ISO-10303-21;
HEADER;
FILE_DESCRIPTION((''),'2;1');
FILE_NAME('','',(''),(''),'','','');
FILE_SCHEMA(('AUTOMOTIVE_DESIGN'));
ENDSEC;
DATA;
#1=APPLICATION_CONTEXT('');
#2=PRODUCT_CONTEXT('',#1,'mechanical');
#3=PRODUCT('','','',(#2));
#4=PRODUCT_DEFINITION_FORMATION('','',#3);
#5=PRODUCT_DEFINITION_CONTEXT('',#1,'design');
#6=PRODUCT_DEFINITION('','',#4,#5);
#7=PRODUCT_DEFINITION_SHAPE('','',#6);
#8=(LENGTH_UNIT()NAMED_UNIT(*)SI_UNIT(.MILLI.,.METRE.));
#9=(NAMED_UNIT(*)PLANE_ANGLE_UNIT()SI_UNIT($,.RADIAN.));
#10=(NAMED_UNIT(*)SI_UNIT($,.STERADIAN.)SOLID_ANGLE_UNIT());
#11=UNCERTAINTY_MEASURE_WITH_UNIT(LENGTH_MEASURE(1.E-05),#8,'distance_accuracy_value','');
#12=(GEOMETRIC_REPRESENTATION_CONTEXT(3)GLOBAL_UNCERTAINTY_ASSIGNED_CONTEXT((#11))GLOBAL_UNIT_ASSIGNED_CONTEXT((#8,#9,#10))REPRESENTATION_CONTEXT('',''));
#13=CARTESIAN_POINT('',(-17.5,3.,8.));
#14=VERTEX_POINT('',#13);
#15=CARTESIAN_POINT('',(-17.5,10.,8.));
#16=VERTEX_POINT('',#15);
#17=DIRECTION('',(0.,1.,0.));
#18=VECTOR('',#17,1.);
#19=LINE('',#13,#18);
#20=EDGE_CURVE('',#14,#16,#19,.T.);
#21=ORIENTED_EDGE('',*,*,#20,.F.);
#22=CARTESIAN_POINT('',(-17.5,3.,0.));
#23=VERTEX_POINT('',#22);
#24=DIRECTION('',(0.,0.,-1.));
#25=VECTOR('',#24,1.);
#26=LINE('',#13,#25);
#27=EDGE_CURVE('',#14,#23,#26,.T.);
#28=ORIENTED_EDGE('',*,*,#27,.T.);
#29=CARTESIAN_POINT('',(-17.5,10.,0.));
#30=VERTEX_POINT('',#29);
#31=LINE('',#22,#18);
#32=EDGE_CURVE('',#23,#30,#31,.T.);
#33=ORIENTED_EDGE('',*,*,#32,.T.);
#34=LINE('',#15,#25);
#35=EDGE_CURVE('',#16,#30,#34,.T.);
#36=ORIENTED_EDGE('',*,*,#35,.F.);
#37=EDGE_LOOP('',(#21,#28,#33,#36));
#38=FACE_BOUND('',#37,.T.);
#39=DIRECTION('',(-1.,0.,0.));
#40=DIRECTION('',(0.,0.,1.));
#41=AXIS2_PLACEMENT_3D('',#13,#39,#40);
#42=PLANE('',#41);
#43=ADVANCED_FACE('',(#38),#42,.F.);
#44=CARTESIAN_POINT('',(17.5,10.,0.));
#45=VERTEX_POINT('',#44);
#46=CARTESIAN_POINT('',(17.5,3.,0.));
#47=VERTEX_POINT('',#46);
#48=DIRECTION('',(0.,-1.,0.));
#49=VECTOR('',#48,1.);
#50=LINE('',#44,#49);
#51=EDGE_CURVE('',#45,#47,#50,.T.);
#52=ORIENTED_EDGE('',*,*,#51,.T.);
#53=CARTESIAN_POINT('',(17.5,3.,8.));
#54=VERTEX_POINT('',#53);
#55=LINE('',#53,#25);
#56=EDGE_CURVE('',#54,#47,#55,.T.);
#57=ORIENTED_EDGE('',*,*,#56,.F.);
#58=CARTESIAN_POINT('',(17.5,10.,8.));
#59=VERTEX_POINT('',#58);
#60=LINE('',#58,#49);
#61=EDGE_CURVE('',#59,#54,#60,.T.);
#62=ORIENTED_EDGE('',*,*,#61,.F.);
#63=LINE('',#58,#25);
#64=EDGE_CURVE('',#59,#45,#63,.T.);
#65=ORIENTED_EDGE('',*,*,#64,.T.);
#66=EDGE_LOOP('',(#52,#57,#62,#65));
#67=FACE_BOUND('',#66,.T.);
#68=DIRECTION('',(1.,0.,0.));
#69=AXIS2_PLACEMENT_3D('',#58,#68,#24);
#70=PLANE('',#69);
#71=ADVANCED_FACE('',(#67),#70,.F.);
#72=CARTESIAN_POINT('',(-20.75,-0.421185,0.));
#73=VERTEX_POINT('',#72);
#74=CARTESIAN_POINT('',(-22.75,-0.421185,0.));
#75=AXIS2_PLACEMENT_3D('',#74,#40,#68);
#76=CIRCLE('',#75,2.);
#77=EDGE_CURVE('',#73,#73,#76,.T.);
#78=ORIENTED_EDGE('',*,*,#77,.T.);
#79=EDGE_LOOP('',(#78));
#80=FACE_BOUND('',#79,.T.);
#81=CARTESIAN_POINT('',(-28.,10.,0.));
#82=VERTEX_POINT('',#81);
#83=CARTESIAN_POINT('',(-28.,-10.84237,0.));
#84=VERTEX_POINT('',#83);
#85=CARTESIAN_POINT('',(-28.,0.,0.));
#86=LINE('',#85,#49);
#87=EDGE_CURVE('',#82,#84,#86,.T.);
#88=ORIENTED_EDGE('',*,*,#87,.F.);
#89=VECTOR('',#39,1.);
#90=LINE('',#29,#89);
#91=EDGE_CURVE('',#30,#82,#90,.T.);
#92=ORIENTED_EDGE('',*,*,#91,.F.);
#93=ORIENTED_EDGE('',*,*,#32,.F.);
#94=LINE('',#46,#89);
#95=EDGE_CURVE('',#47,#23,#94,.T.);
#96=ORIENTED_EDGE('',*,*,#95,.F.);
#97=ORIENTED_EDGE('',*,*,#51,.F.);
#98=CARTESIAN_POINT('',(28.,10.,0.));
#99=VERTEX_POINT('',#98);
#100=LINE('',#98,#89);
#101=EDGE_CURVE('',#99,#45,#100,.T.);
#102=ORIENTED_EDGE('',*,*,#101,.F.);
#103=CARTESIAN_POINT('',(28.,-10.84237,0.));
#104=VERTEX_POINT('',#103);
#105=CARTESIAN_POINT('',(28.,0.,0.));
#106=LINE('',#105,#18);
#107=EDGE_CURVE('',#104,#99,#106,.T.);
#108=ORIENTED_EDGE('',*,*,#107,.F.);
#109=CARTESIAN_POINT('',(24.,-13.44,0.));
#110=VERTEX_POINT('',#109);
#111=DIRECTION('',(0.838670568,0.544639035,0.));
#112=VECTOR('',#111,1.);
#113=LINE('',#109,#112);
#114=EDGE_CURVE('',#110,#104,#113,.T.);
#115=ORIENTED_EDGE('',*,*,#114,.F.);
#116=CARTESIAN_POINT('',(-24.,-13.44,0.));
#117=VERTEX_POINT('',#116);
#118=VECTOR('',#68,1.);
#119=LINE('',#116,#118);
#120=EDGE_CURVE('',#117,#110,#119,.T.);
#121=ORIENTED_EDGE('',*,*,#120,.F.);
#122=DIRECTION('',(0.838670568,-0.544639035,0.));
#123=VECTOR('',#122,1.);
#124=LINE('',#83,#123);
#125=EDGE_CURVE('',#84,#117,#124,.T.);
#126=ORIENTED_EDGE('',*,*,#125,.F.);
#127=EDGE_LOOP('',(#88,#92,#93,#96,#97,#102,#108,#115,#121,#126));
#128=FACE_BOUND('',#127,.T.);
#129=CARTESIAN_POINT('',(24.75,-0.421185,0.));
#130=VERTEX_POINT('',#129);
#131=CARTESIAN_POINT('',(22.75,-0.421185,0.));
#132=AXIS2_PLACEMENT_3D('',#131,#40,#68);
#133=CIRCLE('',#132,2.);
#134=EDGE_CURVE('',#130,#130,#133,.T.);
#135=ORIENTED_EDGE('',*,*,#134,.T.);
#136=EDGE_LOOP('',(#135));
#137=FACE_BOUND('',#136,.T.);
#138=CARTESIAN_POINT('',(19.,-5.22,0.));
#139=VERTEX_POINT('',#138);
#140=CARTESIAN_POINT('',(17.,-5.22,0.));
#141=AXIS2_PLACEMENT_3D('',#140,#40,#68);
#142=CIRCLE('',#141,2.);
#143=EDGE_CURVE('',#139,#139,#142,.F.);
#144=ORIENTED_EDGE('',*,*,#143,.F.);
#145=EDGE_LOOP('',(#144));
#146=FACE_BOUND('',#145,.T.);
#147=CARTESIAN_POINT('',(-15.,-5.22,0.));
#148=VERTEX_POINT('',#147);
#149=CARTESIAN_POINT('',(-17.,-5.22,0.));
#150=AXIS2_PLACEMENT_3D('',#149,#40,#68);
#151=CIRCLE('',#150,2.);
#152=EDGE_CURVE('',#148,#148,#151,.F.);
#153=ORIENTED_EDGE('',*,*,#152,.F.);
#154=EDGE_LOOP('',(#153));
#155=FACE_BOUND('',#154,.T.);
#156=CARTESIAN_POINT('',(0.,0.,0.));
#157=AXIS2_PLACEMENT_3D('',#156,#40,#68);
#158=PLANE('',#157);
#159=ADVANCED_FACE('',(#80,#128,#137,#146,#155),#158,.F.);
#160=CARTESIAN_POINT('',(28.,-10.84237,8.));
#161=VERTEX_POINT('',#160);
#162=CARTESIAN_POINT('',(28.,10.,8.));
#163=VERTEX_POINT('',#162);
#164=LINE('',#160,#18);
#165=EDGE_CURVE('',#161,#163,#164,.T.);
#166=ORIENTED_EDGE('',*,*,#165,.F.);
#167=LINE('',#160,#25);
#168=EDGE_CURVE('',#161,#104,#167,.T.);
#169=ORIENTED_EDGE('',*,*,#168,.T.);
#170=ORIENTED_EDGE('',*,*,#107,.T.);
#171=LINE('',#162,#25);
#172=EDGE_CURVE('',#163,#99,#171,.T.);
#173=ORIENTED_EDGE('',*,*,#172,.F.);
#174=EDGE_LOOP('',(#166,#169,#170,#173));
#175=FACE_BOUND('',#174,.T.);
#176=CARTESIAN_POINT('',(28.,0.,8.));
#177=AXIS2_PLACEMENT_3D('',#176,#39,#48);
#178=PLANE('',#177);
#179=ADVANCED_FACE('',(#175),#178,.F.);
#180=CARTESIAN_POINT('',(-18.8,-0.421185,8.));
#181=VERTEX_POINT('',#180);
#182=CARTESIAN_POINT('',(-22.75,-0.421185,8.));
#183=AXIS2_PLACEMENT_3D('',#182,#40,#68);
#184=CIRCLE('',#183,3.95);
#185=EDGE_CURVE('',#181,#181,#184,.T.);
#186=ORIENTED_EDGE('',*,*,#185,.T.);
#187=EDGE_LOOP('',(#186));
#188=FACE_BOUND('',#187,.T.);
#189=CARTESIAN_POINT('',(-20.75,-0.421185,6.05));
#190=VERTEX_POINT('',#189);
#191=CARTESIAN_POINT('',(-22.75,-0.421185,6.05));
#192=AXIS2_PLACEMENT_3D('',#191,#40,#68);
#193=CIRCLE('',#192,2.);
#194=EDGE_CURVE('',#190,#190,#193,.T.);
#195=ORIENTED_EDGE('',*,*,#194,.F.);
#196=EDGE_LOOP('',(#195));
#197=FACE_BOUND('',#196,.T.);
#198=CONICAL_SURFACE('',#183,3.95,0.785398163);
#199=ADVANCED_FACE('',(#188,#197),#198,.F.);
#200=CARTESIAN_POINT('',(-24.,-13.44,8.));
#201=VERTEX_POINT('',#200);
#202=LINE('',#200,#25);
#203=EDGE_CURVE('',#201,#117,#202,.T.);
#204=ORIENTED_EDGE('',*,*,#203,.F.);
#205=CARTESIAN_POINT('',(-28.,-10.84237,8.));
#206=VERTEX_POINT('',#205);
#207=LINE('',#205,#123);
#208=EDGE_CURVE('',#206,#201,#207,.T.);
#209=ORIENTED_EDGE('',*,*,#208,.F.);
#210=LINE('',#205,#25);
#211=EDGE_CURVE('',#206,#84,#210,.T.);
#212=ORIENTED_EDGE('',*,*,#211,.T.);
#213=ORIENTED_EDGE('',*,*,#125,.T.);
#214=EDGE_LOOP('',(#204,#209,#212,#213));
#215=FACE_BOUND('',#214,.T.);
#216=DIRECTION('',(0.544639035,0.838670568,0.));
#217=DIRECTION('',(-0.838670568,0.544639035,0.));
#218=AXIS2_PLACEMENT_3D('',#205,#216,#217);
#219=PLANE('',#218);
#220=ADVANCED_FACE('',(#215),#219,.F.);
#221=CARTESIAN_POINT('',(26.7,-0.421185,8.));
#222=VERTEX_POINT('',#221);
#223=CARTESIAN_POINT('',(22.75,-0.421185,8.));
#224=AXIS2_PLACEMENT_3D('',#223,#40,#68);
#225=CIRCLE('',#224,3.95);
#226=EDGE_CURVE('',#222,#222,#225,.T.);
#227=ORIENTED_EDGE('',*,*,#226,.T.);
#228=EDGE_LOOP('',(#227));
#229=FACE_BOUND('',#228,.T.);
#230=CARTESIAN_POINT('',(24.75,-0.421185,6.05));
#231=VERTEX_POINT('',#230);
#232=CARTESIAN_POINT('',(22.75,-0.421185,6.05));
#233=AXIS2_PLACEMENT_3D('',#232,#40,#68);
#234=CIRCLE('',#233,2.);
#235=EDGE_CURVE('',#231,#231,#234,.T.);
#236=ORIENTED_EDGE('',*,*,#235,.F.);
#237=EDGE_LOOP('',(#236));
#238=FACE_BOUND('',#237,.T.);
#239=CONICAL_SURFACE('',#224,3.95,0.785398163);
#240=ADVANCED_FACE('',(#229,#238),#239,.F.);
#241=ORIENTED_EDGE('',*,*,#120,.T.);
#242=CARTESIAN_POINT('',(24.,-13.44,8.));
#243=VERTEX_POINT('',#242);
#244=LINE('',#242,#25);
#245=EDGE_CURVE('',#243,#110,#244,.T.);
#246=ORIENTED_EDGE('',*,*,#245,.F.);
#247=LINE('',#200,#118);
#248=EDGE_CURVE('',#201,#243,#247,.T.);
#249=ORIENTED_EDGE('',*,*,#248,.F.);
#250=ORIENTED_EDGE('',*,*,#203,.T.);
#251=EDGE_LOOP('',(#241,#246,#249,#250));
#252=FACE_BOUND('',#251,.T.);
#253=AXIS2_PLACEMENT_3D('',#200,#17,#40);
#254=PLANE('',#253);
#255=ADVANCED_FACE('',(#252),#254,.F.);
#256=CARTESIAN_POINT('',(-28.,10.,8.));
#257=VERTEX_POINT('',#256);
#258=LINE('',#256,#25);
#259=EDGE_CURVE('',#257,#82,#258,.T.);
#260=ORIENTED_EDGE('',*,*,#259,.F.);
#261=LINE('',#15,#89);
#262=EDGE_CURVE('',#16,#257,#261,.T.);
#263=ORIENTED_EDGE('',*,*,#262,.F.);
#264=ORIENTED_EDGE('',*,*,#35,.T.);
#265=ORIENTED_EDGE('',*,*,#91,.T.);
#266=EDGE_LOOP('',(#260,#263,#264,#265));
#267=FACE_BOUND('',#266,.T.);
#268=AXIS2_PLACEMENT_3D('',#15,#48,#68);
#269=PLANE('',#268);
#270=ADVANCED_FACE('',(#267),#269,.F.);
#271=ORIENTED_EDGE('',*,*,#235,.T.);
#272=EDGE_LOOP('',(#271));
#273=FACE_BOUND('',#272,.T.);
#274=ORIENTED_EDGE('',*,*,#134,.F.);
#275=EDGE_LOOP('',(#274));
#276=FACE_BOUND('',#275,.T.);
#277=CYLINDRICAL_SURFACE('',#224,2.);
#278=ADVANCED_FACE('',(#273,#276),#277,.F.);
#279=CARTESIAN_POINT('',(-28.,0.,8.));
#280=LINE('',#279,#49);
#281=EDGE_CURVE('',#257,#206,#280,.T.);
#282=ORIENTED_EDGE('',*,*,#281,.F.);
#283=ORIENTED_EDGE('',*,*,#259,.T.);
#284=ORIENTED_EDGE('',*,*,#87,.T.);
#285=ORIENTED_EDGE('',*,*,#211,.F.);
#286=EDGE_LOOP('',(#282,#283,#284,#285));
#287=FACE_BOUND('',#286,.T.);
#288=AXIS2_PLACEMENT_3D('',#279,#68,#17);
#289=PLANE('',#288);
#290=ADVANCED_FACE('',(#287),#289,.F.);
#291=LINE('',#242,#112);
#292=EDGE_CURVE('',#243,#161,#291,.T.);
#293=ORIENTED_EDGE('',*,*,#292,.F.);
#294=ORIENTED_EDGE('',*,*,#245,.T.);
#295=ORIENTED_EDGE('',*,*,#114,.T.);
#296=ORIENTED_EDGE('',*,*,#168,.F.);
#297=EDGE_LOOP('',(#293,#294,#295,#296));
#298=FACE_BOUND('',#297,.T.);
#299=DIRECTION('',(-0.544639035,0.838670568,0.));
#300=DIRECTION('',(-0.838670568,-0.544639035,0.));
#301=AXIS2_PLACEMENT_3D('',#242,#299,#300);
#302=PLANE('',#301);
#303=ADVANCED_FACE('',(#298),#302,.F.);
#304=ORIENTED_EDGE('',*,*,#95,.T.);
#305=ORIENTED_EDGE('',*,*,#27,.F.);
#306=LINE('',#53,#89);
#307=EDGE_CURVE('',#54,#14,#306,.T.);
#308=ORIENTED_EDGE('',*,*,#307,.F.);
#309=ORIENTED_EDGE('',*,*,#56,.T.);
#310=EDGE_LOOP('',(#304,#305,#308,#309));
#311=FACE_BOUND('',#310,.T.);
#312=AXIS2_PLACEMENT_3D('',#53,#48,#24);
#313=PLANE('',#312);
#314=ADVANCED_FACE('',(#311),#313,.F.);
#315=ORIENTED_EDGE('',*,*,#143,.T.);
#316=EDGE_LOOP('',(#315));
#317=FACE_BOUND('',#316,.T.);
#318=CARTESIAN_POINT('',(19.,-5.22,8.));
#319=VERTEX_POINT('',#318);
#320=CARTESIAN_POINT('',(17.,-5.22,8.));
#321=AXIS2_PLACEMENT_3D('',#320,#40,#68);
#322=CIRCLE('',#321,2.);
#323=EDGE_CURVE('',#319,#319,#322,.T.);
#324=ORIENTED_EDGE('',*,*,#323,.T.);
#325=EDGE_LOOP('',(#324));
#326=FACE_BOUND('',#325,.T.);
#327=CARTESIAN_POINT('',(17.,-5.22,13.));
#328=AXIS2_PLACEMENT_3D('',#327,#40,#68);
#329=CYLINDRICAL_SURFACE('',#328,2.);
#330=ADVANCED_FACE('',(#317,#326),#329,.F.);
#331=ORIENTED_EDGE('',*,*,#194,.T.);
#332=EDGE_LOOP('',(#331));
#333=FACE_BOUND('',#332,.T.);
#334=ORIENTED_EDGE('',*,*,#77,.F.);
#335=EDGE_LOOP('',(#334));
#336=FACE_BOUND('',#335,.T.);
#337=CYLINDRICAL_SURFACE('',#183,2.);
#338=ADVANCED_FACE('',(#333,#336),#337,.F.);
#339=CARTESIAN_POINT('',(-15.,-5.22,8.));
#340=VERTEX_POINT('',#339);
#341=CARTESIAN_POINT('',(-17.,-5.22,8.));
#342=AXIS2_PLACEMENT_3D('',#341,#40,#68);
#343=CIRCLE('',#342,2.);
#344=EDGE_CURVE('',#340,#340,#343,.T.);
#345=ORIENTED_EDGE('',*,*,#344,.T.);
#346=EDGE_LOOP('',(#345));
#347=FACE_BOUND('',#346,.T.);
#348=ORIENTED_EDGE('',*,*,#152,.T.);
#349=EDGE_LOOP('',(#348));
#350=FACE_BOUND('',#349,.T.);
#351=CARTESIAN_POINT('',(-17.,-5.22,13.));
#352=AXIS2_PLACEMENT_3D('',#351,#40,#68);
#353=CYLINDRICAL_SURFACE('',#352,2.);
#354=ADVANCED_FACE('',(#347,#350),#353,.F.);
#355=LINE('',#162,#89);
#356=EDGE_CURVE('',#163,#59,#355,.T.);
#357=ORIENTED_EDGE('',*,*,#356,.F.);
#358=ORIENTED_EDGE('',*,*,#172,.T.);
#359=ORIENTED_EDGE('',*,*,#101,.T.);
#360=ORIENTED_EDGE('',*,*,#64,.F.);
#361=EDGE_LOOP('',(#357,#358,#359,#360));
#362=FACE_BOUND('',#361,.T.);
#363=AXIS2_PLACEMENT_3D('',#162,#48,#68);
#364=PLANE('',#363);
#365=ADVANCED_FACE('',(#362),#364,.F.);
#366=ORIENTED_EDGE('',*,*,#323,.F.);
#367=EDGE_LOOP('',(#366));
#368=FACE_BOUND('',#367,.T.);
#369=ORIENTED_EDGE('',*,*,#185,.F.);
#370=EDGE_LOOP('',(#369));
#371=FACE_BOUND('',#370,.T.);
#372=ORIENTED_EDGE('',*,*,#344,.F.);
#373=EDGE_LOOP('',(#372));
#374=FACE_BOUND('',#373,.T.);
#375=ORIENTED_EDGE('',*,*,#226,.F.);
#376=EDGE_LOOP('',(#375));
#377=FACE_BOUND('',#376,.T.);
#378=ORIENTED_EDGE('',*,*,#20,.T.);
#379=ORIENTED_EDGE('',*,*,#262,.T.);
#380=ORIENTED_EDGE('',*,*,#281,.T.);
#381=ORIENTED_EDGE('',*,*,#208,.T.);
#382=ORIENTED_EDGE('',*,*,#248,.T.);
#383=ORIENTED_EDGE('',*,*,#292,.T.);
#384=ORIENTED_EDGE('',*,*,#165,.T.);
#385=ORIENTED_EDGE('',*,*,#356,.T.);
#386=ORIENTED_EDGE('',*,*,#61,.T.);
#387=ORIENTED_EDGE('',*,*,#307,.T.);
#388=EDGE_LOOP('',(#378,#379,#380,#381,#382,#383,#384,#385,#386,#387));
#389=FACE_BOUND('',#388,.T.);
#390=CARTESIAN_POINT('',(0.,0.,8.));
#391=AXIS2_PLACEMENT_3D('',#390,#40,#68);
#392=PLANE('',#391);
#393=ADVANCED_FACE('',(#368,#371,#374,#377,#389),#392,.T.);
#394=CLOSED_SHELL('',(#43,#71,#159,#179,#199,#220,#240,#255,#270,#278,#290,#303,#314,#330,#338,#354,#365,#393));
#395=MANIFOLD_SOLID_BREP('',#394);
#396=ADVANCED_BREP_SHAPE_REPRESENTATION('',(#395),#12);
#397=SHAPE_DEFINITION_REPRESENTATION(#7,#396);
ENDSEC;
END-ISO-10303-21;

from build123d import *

# Parameters (mm, degrees)
BOSS_EXTRUDE1_DEPTH           = 8
CSK_FOR_M4_SFHCS1_D           = 4
CSK_FOR_M4_SFHCS1_DEPTH       = 13
CSK_FOR_M4_SFHCS1_CSINK_D     = 7.9
CSK_FOR_M4_SFHCS1_CSINK_ANGLE = 90
CSK_FOR_M4_SFHCS1_TIP         = 1.201721238
CSK_FOR_M4_SFHCS2_D           = 4
CSK_FOR_M4_SFHCS2_DEPTH       = 16
CSK_FOR_M4_SFHCS2_CSINK_D     = 7.9
CSK_FOR_M4_SFHCS2_CSINK_ANGLE = 90
CSK_FOR_M4_SFHCS2_TIP         = 1.201721238


with BuildPart() as part:
    # Sketch1 → Boss-Extrude1 (new body)
    with BuildSketch(Plane.XY):
        Polygon((28, 0), (28, 10), (17.5, 10), (17.5, 3), (-17.5, 3), (-17.5, 10), (-28, 10), (-28, 0), (-28, -10.842369627), (-24, -13.44), (24, -13.44), (28, -10.842369627), align=None)
    extrude(amount=BOSS_EXTRUDE1_DEPTH)

    # CSK for M4 SFHCS1
    with Locations(Plane(origin=(-695.683007616, 1385.247292614, 13), x_dir=(1, 0, 0), z_dir=(0, 0, 1))):
        with Locations((678.683007616, -1390.467292614), (712.683007616, -1390.467292614)):
            CounterSinkHole(CSK_FOR_M4_SFHCS1_D / 2, CSK_FOR_M4_SFHCS1_CSINK_D / 2, depth=CSK_FOR_M4_SFHCS1_DEPTH, counter_sink_angle=CSK_FOR_M4_SFHCS1_CSINK_ANGLE)
            with Locations((0, 0, -(CSK_FOR_M4_SFHCS1_DEPTH + CSK_FOR_M4_SFHCS1_TIP / 2))):  # 118° drill point
                Cone(0, CSK_FOR_M4_SFHCS1_D / 2, CSK_FOR_M4_SFHCS1_TIP, mode=Mode.SUBTRACT)

    # CSK for M4 SFHCS2
    with Locations(Plane(origin=(-695.683007616, 1385.247292614, 8), x_dir=(1, 0, 0), z_dir=(0, 0, 1))):
        with Locations((672.933007616, -1385.668477427), (718.433007616, -1385.668477427)):
            CounterSinkHole(CSK_FOR_M4_SFHCS2_D / 2, CSK_FOR_M4_SFHCS2_CSINK_D / 2, depth=CSK_FOR_M4_SFHCS2_DEPTH, counter_sink_angle=CSK_FOR_M4_SFHCS2_CSINK_ANGLE)
            with Locations((0, 0, -(CSK_FOR_M4_SFHCS2_DEPTH + CSK_FOR_M4_SFHCS2_TIP / 2))):  # 118° drill point
                Cone(0, CSK_FOR_M4_SFHCS2_D / 2, CSK_FOR_M4_SFHCS2_TIP, mode=Mode.SUBTRACT)


solid = part.part
